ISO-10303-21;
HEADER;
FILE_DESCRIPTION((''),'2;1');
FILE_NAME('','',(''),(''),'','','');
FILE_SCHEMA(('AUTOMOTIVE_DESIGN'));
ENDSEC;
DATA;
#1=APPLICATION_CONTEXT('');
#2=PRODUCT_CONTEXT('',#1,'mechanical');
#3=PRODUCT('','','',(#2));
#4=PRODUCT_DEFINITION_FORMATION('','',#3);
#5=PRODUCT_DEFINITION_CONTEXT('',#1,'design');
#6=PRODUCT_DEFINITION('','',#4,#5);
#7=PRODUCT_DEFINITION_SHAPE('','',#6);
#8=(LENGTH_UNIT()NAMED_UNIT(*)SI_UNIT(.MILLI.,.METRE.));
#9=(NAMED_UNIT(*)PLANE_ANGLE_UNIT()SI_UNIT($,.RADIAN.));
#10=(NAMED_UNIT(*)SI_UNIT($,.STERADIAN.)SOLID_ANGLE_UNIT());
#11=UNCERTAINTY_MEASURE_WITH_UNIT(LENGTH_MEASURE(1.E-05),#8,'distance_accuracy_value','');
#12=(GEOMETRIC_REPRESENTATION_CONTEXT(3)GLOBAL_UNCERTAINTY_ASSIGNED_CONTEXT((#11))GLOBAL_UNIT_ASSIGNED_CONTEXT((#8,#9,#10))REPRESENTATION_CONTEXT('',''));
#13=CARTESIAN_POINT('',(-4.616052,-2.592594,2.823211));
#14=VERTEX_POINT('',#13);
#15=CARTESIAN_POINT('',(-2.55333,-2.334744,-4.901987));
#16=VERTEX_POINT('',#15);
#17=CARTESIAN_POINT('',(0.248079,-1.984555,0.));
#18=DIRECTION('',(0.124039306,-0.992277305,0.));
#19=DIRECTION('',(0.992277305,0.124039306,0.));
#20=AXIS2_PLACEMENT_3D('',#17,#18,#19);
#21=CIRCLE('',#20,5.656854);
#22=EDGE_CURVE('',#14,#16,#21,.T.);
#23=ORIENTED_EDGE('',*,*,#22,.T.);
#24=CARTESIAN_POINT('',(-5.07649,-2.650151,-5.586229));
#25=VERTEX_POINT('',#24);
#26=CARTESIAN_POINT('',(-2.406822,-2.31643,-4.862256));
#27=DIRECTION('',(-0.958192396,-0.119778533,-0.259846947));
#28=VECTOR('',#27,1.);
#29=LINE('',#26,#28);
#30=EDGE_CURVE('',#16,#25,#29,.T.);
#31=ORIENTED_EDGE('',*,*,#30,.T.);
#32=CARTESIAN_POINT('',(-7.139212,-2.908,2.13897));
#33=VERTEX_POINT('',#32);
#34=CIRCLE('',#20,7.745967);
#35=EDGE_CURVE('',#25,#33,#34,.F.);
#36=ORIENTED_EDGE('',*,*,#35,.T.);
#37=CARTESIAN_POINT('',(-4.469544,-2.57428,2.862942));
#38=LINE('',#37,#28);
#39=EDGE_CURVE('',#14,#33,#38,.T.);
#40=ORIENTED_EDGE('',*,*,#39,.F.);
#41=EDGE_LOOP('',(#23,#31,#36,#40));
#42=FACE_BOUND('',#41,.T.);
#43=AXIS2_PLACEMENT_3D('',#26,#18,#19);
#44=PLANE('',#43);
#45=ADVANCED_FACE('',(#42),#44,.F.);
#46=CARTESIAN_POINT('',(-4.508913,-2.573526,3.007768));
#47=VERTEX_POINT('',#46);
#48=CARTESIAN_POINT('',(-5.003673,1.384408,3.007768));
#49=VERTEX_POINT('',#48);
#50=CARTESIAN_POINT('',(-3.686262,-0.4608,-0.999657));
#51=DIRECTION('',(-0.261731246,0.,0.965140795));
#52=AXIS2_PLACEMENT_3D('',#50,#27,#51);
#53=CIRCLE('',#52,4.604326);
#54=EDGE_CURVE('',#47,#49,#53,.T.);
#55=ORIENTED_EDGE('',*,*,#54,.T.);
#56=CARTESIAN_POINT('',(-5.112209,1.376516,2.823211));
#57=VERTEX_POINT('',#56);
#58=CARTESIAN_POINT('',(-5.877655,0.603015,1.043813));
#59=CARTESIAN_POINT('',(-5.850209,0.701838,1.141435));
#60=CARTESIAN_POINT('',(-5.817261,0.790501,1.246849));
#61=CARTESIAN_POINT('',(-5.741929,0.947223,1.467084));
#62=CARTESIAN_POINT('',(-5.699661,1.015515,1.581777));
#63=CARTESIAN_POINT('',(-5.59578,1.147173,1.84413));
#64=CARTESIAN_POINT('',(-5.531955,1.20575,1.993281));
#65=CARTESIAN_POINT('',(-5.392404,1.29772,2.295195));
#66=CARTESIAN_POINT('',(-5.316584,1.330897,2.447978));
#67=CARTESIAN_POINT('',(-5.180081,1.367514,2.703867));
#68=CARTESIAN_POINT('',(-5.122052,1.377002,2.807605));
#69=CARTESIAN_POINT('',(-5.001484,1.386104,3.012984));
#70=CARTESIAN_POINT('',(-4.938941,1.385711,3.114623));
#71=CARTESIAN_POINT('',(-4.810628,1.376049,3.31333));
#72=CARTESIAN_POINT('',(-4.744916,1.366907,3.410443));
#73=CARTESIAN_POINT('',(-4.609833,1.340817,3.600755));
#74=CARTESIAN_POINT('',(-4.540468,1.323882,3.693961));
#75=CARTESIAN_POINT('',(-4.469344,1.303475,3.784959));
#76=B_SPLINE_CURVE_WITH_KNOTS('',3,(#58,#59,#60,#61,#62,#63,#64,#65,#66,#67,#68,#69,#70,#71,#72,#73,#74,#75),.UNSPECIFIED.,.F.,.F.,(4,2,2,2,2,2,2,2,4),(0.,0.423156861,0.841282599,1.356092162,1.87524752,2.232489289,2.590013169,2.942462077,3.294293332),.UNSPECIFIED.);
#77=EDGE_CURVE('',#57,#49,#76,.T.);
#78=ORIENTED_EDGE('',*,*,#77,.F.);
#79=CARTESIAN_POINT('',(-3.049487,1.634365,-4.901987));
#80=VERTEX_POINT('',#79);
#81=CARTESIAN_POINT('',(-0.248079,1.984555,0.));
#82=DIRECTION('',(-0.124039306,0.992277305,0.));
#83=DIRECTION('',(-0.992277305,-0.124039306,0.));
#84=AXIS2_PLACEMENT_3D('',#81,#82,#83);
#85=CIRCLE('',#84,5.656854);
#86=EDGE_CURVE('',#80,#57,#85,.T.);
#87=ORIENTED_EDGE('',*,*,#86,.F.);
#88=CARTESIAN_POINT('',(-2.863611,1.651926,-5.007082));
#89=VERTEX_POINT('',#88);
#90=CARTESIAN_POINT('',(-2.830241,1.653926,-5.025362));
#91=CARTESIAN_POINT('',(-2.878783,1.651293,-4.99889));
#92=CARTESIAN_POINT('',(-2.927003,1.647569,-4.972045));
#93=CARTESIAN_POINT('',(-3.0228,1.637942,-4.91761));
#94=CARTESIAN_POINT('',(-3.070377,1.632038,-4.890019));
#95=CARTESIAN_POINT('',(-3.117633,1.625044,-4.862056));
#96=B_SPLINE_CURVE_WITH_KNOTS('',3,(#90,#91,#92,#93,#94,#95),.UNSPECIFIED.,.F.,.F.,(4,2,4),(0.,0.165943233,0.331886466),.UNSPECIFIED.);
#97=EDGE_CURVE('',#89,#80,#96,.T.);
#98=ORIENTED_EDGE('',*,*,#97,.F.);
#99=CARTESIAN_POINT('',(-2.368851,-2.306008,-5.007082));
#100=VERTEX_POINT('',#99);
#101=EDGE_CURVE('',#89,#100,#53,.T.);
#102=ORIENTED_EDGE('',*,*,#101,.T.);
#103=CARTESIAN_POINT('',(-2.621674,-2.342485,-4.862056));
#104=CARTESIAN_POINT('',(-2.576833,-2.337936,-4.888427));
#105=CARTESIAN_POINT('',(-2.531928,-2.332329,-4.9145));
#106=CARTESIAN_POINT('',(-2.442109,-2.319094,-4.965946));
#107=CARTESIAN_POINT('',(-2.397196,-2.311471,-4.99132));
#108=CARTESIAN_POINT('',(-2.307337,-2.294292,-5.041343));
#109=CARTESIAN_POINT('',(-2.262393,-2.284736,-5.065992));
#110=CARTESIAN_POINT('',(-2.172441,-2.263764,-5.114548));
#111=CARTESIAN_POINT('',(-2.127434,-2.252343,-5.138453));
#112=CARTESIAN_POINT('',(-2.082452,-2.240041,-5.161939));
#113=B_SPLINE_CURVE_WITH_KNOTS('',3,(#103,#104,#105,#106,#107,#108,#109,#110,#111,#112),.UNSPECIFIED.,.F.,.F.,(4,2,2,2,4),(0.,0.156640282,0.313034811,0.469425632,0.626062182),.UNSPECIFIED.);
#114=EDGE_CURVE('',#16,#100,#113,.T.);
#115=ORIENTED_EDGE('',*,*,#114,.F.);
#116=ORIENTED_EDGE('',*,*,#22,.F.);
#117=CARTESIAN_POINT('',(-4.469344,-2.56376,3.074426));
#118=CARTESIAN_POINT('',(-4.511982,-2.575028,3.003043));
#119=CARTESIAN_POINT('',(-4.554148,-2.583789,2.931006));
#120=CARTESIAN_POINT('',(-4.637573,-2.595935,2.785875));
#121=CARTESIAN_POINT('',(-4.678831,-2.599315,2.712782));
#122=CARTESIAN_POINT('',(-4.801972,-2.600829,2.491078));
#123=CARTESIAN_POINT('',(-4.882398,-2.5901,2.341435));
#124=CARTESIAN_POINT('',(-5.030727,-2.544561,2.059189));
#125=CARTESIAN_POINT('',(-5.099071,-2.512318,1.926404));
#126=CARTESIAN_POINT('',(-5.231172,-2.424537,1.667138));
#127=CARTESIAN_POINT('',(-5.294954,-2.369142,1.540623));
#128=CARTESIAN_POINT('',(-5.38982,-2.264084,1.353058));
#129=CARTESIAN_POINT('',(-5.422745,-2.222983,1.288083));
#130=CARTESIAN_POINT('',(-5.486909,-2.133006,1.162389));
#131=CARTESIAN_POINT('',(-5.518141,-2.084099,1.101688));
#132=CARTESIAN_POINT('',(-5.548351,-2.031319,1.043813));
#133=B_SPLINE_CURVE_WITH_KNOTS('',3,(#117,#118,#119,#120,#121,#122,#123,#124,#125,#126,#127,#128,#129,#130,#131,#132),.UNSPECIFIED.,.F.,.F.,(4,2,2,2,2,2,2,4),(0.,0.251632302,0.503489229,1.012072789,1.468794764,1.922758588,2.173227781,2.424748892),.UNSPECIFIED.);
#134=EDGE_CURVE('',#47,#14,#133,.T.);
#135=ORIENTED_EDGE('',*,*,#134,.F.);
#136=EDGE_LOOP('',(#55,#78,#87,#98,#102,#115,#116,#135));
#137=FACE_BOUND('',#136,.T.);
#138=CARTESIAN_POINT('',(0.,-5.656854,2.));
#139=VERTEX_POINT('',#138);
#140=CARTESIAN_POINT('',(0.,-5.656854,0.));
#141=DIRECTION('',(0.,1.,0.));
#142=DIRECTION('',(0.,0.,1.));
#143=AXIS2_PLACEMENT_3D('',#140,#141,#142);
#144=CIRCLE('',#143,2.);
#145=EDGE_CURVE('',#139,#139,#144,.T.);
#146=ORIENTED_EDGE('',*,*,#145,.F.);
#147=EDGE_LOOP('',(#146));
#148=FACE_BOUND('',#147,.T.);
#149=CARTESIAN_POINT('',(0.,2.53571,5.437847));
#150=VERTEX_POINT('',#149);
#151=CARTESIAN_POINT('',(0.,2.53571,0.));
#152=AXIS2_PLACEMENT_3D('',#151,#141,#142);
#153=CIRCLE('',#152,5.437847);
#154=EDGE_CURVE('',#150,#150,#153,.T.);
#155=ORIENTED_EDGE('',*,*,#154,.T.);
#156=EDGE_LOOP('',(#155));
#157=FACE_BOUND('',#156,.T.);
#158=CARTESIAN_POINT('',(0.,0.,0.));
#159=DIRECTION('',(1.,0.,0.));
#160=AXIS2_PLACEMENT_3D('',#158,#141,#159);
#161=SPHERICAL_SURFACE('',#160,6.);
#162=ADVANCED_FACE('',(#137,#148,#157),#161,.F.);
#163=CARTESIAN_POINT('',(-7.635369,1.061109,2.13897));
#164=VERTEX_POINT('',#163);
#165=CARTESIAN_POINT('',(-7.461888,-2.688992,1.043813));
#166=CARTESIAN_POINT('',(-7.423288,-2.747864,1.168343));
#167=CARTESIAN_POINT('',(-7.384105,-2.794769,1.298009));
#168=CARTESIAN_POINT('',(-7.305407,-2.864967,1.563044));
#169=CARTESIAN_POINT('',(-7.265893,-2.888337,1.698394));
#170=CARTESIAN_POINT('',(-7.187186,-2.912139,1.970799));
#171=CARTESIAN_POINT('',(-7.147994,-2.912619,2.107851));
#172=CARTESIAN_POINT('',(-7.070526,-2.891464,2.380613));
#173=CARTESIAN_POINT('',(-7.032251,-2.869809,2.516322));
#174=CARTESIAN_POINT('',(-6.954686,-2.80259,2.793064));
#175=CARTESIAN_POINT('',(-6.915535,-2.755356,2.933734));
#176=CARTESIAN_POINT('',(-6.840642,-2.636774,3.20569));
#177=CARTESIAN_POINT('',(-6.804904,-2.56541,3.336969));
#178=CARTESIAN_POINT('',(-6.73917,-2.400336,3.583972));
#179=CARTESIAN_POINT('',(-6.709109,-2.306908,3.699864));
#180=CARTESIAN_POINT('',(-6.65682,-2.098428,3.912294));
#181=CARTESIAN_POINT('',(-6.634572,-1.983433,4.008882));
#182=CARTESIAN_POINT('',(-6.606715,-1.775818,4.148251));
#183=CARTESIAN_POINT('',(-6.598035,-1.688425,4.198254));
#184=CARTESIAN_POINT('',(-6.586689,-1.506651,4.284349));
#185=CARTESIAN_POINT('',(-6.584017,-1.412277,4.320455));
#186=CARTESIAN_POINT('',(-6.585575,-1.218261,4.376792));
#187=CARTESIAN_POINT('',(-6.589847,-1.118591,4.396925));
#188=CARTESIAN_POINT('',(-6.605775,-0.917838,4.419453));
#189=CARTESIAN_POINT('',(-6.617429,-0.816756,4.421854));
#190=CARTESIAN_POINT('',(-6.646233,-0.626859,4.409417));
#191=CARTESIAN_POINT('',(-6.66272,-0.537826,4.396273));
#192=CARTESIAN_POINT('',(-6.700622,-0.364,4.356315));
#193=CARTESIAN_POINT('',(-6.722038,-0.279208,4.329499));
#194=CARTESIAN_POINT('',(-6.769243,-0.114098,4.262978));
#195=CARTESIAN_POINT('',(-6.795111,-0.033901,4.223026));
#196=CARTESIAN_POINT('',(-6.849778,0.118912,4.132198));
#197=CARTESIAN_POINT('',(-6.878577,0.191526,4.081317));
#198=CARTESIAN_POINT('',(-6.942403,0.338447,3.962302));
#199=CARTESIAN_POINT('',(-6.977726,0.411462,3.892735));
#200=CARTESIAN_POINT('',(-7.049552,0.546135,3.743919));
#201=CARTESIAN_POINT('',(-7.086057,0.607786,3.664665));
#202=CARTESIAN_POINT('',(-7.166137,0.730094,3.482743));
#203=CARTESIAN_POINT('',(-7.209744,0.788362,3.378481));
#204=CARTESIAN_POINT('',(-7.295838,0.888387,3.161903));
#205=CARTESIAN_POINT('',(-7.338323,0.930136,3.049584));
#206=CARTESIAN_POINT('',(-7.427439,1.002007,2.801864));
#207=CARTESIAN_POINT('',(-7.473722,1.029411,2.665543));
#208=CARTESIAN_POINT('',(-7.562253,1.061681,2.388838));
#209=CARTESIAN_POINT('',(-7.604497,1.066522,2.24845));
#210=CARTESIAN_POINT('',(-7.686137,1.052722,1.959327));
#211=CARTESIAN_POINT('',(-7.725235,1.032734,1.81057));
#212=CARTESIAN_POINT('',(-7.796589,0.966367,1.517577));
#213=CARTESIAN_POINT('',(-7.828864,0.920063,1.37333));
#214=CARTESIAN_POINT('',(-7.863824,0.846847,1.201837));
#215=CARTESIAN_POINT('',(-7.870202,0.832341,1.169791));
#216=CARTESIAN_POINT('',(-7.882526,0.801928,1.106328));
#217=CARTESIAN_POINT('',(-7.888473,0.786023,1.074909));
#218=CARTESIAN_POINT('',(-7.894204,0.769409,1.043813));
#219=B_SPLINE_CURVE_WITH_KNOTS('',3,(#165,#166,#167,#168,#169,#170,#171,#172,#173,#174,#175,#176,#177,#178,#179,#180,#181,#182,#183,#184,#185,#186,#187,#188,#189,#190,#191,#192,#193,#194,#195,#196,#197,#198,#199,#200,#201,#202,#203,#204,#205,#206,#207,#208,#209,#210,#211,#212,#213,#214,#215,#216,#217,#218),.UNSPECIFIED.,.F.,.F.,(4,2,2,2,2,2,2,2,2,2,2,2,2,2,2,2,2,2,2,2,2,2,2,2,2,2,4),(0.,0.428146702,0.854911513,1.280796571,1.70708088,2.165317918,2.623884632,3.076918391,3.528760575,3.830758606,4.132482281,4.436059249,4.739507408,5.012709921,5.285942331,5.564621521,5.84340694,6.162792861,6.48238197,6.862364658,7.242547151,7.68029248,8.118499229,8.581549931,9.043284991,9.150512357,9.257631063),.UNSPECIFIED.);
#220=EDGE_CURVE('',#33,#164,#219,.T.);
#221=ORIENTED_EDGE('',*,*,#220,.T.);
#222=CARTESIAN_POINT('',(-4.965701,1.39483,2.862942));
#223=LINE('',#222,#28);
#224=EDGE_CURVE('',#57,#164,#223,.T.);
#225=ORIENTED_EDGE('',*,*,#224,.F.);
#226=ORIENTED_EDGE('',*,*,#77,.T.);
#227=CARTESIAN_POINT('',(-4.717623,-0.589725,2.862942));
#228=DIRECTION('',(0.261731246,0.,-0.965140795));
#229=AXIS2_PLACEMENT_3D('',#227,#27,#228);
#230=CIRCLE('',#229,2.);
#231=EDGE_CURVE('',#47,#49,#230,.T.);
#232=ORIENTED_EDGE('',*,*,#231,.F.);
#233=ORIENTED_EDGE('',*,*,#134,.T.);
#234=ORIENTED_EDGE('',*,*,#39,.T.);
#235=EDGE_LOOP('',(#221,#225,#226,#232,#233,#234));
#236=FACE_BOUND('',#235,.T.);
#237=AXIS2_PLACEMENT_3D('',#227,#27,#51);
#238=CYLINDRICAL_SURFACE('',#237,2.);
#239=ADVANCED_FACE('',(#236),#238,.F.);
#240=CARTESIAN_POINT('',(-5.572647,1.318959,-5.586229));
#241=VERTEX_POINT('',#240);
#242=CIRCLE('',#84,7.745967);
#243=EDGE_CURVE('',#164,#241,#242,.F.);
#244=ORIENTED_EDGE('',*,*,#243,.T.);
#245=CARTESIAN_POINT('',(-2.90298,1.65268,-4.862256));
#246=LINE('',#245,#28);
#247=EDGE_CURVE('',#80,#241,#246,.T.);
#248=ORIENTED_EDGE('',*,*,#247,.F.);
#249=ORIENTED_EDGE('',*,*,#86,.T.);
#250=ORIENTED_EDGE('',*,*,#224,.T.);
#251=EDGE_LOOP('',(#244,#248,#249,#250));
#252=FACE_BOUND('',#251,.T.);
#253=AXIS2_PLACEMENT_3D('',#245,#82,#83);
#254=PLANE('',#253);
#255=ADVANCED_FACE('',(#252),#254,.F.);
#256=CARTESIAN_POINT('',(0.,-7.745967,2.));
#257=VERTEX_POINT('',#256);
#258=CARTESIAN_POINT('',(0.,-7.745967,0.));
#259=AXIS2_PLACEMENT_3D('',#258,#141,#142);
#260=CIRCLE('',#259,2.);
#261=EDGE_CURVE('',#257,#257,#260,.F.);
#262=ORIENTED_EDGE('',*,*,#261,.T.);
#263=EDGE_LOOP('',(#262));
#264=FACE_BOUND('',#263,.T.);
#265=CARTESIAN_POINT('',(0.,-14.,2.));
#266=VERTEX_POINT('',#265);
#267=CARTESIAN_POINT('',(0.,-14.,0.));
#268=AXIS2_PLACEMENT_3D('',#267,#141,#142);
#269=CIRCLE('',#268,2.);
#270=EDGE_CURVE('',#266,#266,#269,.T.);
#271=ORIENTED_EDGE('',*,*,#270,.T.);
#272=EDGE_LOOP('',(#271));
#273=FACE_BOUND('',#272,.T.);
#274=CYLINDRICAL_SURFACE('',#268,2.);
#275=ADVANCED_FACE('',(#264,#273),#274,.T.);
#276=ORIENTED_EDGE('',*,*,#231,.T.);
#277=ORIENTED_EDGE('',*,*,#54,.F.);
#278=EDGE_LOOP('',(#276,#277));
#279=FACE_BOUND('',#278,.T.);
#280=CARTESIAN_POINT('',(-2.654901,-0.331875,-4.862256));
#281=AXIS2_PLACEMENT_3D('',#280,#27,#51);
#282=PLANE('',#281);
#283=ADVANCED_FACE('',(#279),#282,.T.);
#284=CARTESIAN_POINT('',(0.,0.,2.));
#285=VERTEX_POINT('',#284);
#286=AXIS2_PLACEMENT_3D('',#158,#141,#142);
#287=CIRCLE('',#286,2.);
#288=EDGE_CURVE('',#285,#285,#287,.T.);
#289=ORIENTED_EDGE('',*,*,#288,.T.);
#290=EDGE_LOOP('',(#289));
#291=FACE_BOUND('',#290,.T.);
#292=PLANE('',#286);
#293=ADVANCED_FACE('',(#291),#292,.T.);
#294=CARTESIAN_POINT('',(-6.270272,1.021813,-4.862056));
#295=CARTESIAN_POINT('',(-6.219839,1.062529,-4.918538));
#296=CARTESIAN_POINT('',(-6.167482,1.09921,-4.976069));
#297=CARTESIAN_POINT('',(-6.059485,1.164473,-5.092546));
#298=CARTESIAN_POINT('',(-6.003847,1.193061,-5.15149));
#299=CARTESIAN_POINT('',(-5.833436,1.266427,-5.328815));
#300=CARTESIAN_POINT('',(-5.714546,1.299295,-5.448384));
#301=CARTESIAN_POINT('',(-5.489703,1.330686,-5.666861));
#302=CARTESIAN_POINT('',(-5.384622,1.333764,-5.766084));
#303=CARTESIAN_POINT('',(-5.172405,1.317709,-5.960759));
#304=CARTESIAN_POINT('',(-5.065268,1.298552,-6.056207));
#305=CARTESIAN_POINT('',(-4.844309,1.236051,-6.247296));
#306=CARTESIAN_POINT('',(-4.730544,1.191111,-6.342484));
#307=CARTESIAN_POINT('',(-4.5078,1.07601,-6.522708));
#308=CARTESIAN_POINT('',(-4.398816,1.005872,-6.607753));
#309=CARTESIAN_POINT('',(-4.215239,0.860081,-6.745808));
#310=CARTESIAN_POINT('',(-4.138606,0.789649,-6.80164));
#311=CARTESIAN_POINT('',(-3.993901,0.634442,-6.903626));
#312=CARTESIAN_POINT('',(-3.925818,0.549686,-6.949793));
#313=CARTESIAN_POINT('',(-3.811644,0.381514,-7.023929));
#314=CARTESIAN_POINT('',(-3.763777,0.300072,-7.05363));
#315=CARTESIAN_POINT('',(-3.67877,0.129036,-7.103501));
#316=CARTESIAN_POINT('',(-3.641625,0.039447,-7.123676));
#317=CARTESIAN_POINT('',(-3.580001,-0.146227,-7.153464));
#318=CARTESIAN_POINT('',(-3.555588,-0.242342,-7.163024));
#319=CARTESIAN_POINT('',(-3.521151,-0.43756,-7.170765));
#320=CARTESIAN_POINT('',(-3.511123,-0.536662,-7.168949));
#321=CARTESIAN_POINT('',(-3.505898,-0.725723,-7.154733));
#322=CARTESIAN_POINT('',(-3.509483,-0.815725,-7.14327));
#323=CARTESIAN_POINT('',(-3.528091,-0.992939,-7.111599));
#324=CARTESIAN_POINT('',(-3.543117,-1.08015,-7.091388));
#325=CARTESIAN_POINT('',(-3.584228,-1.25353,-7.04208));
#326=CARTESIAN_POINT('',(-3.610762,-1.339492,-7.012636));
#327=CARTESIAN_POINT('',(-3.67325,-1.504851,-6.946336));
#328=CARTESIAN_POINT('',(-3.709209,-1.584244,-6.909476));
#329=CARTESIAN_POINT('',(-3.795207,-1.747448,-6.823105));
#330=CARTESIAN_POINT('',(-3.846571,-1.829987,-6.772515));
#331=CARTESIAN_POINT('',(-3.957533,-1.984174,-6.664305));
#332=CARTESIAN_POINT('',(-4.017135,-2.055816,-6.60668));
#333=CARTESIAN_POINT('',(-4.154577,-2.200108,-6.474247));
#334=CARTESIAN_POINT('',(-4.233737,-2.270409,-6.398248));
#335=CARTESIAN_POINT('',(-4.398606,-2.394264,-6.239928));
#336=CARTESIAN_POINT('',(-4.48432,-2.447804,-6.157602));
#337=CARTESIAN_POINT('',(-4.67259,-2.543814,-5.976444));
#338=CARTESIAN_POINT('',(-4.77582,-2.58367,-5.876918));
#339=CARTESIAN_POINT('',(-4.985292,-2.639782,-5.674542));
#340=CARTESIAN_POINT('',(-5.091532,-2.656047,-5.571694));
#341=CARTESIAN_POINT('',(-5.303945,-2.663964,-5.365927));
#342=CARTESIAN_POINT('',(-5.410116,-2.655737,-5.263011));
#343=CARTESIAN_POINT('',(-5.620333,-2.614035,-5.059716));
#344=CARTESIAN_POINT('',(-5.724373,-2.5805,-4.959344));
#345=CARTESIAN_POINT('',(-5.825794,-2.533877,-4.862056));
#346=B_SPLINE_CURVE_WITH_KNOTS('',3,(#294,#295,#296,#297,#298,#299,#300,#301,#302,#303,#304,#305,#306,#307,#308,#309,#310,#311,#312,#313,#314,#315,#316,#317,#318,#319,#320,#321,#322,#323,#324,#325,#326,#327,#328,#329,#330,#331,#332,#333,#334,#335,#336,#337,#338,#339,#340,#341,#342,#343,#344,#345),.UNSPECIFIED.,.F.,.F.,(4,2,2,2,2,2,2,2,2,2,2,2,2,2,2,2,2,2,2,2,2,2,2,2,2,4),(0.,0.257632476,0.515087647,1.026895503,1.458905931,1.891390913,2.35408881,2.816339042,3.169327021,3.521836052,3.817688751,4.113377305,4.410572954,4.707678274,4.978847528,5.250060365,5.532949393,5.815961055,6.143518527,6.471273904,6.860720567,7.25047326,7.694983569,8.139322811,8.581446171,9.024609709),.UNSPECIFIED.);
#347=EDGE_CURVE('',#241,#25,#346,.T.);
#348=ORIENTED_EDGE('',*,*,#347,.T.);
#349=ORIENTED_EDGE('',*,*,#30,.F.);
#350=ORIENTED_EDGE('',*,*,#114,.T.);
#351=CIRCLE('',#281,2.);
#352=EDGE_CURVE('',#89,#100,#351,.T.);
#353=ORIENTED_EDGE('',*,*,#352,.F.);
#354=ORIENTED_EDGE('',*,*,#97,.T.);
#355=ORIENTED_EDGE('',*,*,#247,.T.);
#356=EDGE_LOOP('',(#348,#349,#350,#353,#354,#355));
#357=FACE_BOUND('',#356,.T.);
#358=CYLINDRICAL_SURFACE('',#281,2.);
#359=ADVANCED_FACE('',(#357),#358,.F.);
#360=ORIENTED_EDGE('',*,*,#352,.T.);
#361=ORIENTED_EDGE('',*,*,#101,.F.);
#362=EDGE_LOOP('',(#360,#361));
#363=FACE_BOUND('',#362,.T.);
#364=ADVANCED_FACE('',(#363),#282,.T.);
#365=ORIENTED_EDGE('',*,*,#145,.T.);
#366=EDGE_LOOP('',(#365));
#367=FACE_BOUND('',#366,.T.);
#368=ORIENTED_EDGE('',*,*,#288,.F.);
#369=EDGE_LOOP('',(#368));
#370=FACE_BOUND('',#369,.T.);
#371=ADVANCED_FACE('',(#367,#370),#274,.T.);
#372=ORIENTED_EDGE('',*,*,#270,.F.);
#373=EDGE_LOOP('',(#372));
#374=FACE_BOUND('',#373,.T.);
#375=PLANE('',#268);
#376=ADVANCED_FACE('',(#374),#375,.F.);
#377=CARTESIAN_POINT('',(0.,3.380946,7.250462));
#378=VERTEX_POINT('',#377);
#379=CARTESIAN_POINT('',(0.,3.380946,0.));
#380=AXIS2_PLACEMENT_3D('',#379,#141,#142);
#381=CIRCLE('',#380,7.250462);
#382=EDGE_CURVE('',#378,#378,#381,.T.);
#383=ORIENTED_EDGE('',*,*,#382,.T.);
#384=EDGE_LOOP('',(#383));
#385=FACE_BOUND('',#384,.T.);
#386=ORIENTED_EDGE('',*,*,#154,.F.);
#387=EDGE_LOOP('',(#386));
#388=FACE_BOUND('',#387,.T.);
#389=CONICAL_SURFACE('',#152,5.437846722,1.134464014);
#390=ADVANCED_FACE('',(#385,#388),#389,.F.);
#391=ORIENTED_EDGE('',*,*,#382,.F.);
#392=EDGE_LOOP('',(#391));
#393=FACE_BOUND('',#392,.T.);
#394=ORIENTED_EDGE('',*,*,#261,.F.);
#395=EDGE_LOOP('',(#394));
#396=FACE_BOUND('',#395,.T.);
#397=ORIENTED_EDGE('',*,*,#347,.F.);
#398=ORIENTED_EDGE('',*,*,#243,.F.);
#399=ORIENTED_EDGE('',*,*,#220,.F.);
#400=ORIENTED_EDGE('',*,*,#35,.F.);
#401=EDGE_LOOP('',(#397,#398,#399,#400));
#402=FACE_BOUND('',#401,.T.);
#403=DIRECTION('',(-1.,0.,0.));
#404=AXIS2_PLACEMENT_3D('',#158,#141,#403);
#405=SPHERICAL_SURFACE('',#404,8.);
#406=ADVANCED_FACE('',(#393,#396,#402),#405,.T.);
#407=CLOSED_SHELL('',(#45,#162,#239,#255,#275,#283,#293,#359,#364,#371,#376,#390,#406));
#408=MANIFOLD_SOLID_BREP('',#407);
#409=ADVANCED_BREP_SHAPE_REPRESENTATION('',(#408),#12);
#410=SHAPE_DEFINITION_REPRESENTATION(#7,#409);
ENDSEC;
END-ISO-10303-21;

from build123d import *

# Parameters (mm, degrees)
ESQUISSE2_R             = 2
BOSS_EXTRU_1_DEPTH      = 14
ENL_V_MAT_EXTRU_1_DEPTH = 7


with BuildPart() as part:
    # Esquisse1 → Révolution1 (revolve)
    with BuildSketch(Plane.XY, mode=Mode.PRIVATE) as r_volution1_sk:
        with BuildLine():
            Line((-7.250462296, 3.380946094), (-5.437846722, 2.53570957))
            ThreePointArc((-5.437846722, 2.53570957), (-5.060348675, -3.22379765), (0, -6))
            Line((0, -6), (0, -8))
            ThreePointArc((0, -8), (-6.747131567, -4.298396867), (-7.250462296, 3.380946094))
        make_face()
    revolve(r_volution1_sk.sketch.rotate(Axis((0, 0, 0), (0, -1, 0)), 270), axis=Axis((0, 0, 0), (0, -1, 0)))

    # Esquisse2 → Boss.-Extru.1 (add)
    with BuildSketch(Plane(origin=(0, 0, 0), x_dir=(1, 0, 0), z_dir=(0, 1, 0))):
        with Locations(Location((0, 0, 0), (0, 0, 270))):
            Circle(ESQUISSE2_R)
    extrude(amount=-BOSS_EXTRU_1_DEPTH)

    # Esquisse3 → Enlèv. mat.-Extru.1 (cut)
    with BuildSketch(Plane(origin=(-10.393608687, -1.299249719, -2.818585808), x_dir=(-0.25784022856565836, -0.03223123504955077, 0.9656498143842775), z_dir=(-0.9581923956348063, -0.11977853300162247, -0.2598469472201095))):
        with BuildLine():
            Line((-4, 2), (4, 2))
            ThreePointArc((4, 2), (6, 0), (4, -2))
            Line((4, -2), (-4, -2))
            ThreePointArc((-4, -2), (-6, 0), (-4, 2))
        make_face()
    extrude(amount=-ENL_V_MAT_EXTRU_1_DEPTH, mode=Mode.SUBTRACT)


solid = part.part
